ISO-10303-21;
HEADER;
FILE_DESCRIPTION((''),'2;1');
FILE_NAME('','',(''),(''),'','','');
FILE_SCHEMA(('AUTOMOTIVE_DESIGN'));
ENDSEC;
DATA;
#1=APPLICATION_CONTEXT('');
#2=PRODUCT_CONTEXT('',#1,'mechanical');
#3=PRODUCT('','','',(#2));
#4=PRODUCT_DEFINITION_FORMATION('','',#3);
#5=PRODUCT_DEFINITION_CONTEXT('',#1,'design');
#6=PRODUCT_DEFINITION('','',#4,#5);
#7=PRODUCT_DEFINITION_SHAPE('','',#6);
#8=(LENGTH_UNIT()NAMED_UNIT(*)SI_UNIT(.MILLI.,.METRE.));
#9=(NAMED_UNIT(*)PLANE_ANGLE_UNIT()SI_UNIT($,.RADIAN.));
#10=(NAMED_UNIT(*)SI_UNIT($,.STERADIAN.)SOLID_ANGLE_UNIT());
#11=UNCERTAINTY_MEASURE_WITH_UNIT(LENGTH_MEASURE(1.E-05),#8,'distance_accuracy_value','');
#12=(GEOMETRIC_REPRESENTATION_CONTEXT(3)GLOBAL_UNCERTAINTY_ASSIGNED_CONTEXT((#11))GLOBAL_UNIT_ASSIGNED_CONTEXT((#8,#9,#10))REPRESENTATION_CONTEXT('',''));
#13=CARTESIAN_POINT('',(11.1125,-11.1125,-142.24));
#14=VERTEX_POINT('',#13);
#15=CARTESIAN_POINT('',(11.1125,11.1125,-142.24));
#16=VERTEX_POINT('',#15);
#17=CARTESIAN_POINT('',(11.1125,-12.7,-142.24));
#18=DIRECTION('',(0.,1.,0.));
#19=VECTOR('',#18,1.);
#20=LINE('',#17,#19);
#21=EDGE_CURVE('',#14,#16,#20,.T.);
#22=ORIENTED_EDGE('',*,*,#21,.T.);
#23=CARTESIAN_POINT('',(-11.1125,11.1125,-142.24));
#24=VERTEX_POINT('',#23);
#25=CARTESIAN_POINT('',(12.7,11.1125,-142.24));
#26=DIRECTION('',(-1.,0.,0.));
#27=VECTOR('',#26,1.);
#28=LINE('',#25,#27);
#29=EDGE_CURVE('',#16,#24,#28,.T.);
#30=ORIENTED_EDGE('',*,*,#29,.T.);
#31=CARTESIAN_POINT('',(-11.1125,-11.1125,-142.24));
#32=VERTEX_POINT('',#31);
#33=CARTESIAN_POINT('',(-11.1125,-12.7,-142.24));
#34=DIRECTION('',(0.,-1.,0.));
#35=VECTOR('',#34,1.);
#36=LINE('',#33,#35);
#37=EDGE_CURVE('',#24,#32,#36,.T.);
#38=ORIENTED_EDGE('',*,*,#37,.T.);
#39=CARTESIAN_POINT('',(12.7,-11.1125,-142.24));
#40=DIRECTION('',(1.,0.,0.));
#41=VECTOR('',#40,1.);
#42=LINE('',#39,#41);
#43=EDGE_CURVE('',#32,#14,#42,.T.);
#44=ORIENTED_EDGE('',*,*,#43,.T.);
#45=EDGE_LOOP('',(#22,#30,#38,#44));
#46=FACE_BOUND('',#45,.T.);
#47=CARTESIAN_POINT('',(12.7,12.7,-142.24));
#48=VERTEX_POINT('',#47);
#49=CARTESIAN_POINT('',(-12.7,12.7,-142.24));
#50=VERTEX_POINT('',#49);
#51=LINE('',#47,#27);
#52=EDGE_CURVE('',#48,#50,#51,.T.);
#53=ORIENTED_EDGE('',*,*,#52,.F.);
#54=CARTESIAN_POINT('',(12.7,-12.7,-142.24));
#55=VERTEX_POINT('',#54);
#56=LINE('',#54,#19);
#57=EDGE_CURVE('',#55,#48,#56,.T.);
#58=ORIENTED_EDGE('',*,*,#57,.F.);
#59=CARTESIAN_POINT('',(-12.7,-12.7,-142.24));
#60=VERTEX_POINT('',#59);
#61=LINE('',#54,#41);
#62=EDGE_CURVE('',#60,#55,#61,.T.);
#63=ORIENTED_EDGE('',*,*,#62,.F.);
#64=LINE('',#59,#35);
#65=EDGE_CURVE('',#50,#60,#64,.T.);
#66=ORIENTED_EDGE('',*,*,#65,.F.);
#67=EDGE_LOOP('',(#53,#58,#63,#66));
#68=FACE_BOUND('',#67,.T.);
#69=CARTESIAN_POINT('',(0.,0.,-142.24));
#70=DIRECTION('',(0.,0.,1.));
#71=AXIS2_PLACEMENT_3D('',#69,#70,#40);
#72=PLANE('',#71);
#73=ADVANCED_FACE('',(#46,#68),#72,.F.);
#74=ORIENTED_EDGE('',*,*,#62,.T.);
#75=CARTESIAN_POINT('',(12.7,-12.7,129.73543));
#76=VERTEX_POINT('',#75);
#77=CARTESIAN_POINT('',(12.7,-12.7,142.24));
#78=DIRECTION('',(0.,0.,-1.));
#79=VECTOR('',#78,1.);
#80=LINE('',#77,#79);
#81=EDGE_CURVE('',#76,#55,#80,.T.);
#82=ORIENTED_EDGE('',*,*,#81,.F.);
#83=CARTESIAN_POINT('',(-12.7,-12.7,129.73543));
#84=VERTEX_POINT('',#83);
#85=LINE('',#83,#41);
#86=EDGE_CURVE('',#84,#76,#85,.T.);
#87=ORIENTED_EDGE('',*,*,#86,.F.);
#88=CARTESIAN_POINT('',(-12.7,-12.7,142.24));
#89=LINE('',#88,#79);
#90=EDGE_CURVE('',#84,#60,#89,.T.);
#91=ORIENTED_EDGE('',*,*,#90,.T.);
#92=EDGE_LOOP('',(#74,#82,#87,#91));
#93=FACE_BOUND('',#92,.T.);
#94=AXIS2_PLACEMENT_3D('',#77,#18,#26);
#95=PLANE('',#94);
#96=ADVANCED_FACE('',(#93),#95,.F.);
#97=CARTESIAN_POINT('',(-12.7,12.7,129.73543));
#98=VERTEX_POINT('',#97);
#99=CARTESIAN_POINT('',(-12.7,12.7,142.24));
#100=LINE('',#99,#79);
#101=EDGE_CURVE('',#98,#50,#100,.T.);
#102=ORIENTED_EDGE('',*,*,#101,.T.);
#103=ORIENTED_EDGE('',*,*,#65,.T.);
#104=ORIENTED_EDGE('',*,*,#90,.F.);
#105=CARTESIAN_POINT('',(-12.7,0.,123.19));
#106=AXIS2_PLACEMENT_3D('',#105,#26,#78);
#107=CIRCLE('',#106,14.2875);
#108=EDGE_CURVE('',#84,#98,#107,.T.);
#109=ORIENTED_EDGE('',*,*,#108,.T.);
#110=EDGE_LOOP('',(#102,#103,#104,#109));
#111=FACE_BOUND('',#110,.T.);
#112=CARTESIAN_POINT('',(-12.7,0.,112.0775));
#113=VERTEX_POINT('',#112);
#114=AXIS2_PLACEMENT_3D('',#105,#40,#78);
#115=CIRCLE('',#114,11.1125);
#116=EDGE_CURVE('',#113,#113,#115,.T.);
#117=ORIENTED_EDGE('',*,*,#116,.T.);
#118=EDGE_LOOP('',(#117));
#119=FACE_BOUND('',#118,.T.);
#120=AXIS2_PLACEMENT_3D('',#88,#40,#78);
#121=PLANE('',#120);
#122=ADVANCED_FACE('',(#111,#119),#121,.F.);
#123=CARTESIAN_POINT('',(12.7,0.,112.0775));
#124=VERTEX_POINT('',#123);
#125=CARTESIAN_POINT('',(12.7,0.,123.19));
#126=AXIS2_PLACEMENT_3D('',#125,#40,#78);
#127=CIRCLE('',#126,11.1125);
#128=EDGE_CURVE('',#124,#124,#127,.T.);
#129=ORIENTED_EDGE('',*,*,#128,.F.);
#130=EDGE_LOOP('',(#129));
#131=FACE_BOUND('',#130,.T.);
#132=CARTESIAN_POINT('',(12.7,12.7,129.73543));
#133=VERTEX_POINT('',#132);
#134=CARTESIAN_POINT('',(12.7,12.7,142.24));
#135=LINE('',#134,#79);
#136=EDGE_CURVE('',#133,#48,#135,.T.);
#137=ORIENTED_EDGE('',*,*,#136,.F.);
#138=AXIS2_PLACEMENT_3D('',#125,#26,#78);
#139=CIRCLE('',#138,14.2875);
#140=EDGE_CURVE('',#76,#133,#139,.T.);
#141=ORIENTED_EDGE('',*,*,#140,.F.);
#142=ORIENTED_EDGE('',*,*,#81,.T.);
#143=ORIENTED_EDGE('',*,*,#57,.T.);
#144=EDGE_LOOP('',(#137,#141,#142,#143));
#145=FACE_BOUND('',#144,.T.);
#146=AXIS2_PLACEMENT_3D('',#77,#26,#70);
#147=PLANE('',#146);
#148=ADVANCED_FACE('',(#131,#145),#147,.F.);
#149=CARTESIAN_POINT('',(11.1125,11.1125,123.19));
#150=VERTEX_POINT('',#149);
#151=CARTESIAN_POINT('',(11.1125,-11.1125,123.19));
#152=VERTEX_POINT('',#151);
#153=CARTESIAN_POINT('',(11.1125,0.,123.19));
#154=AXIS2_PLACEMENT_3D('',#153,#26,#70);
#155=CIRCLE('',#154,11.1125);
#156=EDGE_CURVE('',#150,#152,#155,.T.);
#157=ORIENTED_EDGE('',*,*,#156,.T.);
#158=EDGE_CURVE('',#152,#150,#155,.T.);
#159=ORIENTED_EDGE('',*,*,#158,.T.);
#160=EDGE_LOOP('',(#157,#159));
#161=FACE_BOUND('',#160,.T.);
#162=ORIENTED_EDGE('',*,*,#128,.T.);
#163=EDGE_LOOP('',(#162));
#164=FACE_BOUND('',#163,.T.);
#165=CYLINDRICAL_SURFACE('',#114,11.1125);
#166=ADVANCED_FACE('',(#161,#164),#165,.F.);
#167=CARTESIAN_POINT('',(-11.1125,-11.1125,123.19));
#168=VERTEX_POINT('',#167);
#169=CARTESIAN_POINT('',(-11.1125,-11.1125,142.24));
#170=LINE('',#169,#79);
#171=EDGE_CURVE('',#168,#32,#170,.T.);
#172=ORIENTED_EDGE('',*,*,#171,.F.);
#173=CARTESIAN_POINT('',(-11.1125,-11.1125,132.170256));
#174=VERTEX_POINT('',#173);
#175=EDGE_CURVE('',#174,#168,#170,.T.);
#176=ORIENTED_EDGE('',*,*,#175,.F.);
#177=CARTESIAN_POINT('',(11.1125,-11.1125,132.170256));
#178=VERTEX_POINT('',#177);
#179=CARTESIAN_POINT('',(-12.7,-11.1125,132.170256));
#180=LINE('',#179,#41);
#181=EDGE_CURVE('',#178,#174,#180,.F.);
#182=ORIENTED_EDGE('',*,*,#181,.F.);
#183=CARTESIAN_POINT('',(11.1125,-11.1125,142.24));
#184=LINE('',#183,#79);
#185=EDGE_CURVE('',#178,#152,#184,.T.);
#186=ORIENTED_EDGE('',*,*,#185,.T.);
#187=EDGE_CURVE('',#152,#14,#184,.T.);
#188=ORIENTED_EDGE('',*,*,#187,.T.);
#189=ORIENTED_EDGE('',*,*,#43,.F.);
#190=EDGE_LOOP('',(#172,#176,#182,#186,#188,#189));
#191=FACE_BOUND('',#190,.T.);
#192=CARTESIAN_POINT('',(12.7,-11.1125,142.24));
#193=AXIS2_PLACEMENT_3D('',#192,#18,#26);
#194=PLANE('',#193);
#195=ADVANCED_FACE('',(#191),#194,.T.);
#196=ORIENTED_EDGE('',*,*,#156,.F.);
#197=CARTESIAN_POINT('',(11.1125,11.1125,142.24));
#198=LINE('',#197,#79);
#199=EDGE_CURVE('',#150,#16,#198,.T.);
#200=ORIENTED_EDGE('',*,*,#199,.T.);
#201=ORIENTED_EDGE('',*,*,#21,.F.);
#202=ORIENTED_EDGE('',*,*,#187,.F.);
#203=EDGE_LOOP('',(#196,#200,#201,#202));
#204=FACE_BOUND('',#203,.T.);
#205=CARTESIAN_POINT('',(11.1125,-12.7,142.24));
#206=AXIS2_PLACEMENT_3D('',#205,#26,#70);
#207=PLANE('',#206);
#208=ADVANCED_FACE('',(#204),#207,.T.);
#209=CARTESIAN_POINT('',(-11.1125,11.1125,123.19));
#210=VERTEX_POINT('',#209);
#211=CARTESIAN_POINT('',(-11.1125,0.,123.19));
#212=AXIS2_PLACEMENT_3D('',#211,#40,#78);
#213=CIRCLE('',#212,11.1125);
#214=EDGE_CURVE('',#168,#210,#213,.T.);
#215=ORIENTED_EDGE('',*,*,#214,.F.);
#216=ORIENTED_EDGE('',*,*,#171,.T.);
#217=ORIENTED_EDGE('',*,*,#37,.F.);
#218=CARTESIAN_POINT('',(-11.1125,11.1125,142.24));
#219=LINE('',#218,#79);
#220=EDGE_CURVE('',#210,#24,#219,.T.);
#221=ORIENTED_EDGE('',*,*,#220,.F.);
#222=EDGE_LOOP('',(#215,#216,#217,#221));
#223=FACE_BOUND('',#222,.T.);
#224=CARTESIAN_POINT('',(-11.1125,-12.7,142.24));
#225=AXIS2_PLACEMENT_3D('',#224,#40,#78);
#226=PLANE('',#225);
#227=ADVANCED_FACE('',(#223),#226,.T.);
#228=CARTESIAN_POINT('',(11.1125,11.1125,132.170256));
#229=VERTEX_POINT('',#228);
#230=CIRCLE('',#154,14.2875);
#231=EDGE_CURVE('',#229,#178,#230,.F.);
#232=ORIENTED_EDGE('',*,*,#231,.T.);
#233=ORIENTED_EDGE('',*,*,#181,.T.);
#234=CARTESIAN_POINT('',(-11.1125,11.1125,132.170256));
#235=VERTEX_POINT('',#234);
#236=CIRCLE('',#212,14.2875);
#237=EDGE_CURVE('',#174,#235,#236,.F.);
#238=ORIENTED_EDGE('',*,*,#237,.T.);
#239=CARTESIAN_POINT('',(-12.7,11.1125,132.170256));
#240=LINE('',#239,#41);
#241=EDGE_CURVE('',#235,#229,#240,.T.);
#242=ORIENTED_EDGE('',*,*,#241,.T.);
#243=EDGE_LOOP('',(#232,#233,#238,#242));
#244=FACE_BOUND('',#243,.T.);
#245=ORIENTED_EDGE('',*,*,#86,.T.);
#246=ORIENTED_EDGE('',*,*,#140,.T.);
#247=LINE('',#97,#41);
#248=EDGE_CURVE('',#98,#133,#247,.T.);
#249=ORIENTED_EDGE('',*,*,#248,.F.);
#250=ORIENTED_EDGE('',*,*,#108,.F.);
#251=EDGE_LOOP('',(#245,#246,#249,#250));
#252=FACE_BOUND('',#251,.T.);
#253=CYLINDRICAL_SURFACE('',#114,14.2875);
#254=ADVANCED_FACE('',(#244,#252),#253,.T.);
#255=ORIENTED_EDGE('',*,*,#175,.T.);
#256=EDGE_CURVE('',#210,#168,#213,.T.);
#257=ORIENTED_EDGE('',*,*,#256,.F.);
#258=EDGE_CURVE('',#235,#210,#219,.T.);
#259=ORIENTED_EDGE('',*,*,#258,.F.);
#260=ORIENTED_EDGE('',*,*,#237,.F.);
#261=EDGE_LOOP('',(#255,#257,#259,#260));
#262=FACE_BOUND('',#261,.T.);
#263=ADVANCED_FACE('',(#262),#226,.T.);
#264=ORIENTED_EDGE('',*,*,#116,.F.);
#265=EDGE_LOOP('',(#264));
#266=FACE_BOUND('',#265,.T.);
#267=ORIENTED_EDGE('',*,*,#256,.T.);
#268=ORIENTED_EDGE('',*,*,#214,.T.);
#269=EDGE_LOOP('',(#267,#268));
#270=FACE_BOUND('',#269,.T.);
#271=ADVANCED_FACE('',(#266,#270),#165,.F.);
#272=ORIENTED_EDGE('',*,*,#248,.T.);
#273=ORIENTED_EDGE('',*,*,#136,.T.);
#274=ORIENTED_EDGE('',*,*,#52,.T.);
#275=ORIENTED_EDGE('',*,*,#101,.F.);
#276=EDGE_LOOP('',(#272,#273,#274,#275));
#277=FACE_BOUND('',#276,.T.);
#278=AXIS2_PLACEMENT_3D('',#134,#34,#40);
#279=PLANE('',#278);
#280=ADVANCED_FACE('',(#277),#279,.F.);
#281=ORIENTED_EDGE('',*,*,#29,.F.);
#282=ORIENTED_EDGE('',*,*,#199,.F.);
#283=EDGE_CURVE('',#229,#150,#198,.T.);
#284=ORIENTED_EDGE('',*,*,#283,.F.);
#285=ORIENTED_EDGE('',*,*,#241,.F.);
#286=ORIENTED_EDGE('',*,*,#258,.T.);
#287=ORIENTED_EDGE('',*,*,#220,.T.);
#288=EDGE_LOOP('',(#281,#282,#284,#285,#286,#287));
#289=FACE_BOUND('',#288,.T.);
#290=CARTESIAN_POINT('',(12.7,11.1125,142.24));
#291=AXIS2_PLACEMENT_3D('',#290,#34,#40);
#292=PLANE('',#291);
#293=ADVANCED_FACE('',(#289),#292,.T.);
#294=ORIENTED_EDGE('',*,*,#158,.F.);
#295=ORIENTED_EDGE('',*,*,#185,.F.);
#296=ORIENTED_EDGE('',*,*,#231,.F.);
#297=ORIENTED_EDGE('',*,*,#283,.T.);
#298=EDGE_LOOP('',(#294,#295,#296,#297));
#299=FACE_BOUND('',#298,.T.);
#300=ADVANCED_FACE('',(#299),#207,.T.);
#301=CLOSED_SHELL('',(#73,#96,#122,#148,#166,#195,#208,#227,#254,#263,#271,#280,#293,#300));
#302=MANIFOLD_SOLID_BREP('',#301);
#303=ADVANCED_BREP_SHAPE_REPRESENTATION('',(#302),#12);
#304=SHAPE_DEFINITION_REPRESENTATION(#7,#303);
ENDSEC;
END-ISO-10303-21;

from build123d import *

# Parameters (mm, degrees)
SKETCH1_W           = 25.4
SKETCH1_H           = 25.4
SKETCH1_W_2         = 22.225
SKETCH1_H_2         = 22.225
EXTRUDE_THIN1_DEPTH = 142.24
SKETCH2_R           = 11.1125
CUT_EXTRUDE1_DEPTH  = 146.047121998
CUT_EXTRUDE2_DEPTH  = 146.047121998


with BuildPart() as part:
    # Sketch1 → Extrude-Thin1 (new, symmetric)
    with BuildSketch(Plane.XY):
        Rectangle(SKETCH1_W, SKETCH1_H)
        Rectangle(SKETCH1_W_2, SKETCH1_H_2, mode=Mode.SUBTRACT)
    extrude(amount=EXTRUDE_THIN1_DEPTH, both=True)

    # Sketch2 → Cut-Extrude1 (cut, through all)
    with BuildSketch(Plane(origin=(12.7, 0, 0), x_dir=(0, 0, -1), z_dir=(1, 0, 0))):
        with Locations((-123.19, 0)):
            Circle(SKETCH2_R)
    extrude(amount=-CUT_EXTRUDE1_DEPTH, mode=Mode.SUBTRACT)

    # Sketch3 → Cut-Extrude2 (cut, through all)
    with BuildSketch(Plane(origin=(12.7, 0, 0), x_dir=(0, 0, -1), z_dir=(1, 0, 0))):
        with BuildLine():
            Line((-123.19, 14.2875), (-142.24, 14.2875))
            Line((-142.24, 14.2875), (-142.24, -12.7))
            Line((-142.24, -12.7), (-129.735430181, -12.7))
            ThreePointArc((-129.735430181, -12.7), (-137.0749542, 3.367596045), (-123.19, 14.2875))
        make_face()
    extrude(amount=-CUT_EXTRUDE2_DEPTH, mode=Mode.SUBTRACT)


solid = part.part
